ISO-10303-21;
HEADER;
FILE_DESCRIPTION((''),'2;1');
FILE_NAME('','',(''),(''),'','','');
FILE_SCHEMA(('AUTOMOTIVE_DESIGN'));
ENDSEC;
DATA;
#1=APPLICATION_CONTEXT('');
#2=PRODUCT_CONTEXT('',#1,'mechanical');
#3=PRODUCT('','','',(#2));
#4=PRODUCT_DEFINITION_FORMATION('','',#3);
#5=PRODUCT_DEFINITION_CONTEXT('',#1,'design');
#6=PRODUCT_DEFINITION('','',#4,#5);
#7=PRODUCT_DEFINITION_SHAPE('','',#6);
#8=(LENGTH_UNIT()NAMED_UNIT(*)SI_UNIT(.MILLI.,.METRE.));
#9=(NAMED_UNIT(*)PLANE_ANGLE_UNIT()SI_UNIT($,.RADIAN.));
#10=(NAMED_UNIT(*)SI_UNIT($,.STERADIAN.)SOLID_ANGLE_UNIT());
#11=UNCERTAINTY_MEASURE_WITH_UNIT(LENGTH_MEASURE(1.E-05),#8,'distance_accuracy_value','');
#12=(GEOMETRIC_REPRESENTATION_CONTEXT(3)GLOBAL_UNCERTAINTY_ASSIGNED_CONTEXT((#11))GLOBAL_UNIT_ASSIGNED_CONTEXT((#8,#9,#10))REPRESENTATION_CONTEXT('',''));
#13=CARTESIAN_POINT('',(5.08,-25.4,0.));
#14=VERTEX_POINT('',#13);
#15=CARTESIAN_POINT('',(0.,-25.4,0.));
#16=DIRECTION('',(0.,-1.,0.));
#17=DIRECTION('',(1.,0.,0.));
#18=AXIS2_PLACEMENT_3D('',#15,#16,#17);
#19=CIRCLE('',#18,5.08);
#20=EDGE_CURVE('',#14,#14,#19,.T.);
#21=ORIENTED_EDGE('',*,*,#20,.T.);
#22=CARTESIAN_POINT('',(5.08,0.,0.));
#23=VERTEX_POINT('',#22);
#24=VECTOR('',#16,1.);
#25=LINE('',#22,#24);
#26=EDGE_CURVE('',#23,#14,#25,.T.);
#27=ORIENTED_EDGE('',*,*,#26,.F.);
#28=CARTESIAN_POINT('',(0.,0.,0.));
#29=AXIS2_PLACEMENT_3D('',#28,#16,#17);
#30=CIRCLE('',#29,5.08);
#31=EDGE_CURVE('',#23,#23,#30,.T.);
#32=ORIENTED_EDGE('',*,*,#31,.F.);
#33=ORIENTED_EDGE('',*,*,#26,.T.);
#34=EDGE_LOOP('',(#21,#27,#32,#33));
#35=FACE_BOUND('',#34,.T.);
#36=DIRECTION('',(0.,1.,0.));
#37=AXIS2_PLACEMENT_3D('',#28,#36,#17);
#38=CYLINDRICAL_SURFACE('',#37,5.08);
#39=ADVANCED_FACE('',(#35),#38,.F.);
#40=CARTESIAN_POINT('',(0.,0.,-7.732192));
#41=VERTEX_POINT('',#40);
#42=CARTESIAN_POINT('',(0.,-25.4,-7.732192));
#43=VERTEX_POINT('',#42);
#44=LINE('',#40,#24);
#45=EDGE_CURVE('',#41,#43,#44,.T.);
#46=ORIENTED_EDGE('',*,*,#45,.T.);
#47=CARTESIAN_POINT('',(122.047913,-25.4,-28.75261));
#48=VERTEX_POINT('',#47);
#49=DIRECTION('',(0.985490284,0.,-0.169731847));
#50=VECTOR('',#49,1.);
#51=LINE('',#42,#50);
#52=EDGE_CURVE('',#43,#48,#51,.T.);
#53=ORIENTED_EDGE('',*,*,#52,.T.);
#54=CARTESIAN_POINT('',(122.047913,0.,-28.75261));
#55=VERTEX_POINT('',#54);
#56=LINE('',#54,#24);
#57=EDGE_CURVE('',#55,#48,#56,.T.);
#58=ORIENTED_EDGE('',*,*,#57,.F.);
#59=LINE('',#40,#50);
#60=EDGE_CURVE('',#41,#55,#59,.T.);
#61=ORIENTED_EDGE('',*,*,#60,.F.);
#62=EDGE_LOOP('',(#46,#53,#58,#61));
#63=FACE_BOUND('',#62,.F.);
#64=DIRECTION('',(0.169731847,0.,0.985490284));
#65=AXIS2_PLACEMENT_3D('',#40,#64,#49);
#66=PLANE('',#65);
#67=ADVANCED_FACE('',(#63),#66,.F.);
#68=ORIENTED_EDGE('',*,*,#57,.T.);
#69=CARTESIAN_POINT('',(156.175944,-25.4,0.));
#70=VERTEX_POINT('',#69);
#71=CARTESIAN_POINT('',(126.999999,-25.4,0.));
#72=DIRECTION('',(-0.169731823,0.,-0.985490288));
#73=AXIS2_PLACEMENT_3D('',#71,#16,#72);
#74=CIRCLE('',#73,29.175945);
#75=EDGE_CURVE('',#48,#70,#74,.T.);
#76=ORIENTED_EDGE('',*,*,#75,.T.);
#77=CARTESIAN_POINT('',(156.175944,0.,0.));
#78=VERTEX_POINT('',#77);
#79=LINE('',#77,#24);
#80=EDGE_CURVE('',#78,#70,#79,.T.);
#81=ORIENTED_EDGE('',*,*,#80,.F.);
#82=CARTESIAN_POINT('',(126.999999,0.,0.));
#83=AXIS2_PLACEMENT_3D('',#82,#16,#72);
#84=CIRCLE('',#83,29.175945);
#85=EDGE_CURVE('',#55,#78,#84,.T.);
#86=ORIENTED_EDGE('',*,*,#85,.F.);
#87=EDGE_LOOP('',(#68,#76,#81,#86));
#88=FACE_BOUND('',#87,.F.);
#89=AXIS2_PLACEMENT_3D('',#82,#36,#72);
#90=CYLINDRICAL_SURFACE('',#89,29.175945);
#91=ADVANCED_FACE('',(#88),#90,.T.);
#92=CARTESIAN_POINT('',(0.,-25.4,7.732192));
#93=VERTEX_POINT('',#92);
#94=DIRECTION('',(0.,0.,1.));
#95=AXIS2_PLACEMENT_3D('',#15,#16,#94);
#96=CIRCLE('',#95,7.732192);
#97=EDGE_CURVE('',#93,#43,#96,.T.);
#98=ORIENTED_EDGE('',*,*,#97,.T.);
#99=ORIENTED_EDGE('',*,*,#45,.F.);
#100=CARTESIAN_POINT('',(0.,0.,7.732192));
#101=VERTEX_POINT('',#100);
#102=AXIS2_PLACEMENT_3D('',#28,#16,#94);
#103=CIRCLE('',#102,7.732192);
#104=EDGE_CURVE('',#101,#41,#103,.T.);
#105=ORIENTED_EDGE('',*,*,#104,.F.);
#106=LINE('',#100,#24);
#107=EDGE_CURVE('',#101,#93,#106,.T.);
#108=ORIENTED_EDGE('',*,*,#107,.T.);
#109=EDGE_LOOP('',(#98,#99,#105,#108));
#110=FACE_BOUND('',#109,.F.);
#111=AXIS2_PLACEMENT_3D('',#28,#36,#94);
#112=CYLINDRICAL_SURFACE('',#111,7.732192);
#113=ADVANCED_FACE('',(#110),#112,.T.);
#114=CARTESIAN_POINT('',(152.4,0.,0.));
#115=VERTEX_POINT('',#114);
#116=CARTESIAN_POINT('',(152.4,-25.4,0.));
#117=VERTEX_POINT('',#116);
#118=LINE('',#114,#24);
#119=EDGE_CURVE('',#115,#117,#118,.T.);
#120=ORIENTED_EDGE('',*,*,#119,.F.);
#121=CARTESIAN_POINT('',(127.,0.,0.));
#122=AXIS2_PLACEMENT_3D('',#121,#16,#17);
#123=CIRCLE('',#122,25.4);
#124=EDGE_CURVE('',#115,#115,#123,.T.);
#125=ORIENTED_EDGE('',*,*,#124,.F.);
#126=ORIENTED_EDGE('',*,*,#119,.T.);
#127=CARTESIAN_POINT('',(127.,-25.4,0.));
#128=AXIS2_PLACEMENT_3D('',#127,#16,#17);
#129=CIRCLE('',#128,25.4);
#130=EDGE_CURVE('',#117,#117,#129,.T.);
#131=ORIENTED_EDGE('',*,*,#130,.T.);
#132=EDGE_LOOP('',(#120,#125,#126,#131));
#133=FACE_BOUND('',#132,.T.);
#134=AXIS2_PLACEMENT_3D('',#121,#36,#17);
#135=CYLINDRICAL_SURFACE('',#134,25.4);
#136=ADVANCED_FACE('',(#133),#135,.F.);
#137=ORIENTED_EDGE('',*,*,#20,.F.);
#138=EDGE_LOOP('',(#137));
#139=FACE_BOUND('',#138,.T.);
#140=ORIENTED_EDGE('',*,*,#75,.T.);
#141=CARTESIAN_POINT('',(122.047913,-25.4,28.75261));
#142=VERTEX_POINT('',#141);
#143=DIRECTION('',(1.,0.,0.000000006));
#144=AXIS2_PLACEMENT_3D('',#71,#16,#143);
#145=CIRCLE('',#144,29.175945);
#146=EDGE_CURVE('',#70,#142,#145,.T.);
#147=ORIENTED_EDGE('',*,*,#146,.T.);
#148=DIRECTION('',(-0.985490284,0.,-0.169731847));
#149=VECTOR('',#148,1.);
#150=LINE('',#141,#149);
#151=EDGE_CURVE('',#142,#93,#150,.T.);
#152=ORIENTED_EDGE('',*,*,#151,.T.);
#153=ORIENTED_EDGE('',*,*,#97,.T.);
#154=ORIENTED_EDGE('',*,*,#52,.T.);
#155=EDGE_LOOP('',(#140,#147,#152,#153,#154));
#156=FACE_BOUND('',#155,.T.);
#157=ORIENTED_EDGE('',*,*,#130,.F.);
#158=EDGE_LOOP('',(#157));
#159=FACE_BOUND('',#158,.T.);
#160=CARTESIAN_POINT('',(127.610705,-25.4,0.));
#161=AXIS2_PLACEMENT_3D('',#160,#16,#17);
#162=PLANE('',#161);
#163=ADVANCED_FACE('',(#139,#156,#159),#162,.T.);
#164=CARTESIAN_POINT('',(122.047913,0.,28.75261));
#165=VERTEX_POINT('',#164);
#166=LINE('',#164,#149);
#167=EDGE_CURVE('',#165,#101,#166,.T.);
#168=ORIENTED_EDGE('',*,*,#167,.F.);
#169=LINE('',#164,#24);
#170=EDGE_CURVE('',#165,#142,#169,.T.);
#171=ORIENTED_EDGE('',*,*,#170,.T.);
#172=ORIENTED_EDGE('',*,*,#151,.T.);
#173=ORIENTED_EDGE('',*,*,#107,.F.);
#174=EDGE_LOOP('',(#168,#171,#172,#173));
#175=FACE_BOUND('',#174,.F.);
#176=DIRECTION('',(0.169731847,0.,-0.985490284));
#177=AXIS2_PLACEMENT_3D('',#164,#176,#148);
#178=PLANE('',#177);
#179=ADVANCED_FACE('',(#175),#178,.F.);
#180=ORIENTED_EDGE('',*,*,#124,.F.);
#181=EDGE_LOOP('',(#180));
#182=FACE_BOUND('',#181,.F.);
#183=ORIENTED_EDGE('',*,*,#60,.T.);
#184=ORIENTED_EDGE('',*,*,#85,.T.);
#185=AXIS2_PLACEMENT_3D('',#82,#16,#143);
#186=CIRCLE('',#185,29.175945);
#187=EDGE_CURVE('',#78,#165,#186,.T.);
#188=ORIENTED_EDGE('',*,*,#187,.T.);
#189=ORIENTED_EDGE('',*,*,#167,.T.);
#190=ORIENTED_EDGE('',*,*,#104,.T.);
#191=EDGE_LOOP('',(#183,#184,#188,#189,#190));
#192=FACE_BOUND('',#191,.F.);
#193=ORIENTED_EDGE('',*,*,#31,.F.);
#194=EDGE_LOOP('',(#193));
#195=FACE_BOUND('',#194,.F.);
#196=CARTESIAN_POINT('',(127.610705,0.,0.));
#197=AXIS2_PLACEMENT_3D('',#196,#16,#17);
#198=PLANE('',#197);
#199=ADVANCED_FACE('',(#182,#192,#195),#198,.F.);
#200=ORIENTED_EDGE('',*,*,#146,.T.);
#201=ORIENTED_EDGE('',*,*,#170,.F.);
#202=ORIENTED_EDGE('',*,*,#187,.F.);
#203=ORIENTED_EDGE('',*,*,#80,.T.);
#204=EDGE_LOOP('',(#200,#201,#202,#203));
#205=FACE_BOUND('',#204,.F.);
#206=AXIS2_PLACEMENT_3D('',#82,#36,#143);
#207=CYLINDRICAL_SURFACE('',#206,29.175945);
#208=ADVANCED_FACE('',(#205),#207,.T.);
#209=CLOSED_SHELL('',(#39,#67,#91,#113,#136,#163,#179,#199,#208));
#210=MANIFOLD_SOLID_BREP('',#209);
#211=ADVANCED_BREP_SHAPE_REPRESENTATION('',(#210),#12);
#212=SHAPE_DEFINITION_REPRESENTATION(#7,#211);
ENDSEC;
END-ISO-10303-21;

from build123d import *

# Parameters (mm, degrees)
F0_R     = 25.4
F0_R_2   = 5.08
F1_DEPTH = 25.4


with BuildPart() as f1:
    # F0 (on Front) → F1 (new body)
    with BuildSketch(Plane.XZ):
        with BuildLine():
            ThreePointArc((156.175944, 0), (145.798323, 22.312749), (122.047913, 28.75261))
            ThreePointArc((122.047913, 28.75261), (97.824056, 0), (122.047913, -28.75261))
            ThreePointArc((122.047913, -28.75261), (145.798323, -22.312749), (156.175944, 0))
        make_face()
        with Locations((127, 0)):
            Circle(F0_R, mode=Mode.SUBTRACT)
        with BuildLine():
            ThreePointArc((0, 7.732192), (5.467485, 5.467485), (7.732192, 0))
            ThreePointArc((7.732192, 0), (5.467485, -5.467485), (0, -7.732192))
            Line((0, -7.732192), (122.047913, -28.75261))
            ThreePointArc((122.047913, -28.75261), (97.824056, 0), (122.047913, 28.75261))
            Line((122.047913, 28.75261), (0, 7.732192))
        make_face()
        with BuildLine():
            ThreePointArc((0, -7.732192), (5.467485, -5.467485), (7.732192, 0))
            ThreePointArc((7.732192, 0), (5.467485, 5.467485), (0, 7.732192))
            ThreePointArc((0, 7.732192), (-7.732192, 0), (0, -7.732192))
        make_face()
        Circle(F0_R_2, mode=Mode.SUBTRACT)
    extrude(amount=F1_DEPTH)


solid = f1.part
